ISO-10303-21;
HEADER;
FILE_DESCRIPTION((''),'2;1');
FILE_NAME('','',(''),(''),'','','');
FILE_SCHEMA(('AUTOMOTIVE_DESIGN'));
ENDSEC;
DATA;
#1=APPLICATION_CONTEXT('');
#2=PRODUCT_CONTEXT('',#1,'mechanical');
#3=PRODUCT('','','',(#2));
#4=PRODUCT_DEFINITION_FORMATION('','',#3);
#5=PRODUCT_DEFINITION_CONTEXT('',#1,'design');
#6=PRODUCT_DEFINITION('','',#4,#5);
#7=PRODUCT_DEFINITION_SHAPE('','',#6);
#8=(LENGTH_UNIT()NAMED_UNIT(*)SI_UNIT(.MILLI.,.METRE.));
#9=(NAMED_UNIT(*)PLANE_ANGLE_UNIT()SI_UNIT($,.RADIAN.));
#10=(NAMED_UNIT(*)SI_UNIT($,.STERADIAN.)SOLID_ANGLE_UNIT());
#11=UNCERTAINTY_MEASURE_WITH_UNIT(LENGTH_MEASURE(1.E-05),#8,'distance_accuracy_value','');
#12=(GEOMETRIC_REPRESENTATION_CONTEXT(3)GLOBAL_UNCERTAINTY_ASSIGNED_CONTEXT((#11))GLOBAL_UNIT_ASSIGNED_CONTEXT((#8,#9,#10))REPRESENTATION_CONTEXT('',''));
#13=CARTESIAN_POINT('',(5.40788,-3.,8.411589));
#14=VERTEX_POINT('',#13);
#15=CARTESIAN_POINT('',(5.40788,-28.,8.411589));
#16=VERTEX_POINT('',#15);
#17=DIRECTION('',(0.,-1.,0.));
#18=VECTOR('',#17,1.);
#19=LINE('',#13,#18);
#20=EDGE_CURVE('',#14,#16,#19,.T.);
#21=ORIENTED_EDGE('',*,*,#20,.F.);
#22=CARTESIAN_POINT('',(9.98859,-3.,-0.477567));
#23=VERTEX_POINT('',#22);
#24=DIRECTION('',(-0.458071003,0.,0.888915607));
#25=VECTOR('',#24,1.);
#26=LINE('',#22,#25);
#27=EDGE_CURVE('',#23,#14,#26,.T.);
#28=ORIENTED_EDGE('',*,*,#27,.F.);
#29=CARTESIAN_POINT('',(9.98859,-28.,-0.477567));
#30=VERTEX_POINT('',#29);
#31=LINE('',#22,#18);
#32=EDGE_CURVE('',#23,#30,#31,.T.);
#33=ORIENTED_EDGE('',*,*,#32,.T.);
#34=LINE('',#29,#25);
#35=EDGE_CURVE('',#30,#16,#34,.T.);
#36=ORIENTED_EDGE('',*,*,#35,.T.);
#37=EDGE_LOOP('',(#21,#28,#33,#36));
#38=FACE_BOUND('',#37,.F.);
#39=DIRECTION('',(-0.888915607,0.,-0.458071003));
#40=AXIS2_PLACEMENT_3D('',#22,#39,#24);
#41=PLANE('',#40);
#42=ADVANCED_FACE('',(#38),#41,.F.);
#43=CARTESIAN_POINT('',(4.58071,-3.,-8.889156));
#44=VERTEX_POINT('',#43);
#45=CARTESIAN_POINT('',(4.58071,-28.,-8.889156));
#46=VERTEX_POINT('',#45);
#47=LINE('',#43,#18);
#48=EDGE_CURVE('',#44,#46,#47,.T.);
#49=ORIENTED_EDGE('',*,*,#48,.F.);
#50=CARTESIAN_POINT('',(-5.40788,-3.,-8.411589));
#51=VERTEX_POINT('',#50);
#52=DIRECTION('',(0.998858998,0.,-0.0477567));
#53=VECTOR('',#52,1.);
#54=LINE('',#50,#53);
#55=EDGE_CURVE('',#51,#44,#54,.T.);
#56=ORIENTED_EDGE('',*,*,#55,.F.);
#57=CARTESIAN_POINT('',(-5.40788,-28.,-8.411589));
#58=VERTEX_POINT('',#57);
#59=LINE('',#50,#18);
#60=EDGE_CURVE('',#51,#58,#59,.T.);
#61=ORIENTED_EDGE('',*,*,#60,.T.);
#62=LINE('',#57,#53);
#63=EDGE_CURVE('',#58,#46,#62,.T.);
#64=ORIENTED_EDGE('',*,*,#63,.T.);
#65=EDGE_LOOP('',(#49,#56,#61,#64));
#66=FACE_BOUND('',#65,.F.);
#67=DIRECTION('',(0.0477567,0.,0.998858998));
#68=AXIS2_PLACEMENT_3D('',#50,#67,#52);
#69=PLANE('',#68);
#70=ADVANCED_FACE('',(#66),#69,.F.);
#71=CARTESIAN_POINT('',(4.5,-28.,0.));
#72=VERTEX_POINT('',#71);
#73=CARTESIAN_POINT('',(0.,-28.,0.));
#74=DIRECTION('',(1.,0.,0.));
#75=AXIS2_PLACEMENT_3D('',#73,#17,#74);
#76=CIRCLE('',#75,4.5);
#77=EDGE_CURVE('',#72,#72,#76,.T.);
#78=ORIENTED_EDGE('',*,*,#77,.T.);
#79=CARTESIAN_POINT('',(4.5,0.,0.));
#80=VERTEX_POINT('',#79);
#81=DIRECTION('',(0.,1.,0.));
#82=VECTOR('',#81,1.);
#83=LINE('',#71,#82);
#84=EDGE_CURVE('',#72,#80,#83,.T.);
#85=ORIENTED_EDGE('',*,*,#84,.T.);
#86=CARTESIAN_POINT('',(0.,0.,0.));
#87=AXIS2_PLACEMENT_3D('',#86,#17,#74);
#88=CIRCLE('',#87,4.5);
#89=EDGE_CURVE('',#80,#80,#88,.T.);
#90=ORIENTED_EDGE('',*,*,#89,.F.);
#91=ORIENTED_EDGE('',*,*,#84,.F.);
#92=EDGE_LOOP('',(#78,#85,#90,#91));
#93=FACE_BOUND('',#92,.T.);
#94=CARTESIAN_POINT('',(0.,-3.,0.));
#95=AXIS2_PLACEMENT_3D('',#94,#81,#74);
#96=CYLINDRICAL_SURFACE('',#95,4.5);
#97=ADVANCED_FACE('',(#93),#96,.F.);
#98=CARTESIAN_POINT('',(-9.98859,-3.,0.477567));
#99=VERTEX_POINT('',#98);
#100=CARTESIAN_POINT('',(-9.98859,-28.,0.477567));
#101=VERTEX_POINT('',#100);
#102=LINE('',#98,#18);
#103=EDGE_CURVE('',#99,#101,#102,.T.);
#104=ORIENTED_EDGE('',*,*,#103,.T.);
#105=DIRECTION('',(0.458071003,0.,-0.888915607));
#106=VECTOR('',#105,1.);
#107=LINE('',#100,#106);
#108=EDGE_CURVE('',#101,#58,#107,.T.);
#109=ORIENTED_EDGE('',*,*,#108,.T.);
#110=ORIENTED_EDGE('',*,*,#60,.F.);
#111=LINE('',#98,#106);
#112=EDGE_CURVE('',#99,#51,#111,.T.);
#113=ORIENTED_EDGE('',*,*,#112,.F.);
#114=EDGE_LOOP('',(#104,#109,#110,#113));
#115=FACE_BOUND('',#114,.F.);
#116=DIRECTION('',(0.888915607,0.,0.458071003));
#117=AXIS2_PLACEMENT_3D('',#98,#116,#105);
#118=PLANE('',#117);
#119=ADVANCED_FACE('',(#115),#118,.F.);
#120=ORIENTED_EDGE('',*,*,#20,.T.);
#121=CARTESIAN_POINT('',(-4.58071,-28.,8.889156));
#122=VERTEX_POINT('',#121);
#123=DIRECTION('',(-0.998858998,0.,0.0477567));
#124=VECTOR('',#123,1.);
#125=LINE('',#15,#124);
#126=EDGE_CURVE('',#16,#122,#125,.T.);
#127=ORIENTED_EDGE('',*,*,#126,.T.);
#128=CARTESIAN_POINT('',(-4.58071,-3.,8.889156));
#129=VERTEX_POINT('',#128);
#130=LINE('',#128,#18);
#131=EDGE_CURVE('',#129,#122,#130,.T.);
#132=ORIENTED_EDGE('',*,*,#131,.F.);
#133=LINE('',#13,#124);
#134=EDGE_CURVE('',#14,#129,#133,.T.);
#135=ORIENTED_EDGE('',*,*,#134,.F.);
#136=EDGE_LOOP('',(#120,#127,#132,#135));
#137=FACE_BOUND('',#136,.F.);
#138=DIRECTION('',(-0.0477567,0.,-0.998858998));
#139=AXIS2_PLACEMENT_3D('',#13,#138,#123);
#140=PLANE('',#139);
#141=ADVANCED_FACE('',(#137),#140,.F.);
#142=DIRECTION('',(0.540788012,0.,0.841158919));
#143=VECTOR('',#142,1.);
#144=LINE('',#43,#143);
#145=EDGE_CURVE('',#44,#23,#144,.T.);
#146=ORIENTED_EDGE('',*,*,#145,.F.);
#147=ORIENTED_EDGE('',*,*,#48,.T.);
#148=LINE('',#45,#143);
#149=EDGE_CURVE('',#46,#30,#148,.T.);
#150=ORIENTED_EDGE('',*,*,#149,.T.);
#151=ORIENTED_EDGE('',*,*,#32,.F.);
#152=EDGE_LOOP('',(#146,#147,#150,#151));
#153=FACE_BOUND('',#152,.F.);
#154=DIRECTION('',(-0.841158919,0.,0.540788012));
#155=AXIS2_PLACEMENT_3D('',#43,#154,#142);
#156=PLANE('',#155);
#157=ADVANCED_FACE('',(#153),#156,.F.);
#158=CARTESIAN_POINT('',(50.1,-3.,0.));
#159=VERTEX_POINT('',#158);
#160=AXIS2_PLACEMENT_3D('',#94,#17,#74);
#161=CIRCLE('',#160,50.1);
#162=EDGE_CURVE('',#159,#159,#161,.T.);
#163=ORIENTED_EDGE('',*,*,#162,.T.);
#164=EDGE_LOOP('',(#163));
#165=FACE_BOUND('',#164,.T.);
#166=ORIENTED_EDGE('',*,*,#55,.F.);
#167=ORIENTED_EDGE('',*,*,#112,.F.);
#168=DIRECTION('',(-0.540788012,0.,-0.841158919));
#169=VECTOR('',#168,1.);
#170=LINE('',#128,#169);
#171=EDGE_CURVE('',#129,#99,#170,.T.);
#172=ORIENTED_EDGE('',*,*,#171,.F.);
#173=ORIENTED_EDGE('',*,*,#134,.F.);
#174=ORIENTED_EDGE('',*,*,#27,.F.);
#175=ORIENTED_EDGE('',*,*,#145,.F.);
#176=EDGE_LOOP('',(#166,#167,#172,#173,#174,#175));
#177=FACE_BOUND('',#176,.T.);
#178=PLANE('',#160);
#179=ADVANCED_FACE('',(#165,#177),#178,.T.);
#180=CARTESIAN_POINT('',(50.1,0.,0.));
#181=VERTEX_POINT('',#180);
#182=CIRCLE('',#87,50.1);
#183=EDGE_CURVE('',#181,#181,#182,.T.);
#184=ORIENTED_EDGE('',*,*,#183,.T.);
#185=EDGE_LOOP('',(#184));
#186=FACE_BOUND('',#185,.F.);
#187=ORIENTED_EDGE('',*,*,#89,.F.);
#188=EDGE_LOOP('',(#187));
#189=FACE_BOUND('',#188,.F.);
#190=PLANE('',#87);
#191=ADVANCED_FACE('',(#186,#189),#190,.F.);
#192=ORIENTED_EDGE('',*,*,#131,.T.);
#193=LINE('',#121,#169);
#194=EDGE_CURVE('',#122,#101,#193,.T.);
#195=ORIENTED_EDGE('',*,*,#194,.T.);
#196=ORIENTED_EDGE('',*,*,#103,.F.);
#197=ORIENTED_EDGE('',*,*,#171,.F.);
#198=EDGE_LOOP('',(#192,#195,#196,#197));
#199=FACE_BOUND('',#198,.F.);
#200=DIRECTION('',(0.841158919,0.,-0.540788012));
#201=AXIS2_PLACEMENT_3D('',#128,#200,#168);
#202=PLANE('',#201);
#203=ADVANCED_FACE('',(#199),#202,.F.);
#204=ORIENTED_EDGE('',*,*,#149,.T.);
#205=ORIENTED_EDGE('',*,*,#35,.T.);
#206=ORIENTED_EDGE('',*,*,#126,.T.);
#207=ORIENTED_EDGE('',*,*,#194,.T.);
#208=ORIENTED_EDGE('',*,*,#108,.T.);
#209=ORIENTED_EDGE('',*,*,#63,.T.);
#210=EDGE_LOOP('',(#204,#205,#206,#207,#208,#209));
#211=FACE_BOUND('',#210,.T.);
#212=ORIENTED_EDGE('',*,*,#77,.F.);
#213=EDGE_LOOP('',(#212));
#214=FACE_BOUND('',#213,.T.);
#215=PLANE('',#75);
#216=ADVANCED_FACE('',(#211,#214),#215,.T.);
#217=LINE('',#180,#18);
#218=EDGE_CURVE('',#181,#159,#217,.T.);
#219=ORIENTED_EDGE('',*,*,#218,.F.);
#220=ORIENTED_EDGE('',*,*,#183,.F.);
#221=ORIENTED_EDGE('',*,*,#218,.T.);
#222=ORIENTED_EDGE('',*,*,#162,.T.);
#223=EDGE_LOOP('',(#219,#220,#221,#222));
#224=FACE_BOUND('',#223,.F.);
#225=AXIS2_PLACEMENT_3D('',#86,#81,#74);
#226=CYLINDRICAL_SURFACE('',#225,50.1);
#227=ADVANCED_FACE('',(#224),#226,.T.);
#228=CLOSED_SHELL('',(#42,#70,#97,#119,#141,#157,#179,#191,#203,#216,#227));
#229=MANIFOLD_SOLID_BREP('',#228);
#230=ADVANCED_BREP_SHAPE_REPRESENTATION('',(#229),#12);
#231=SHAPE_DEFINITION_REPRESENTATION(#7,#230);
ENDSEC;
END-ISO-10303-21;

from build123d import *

# Parameters (mm, degrees)
F0_R     = 50.1
F0_R_2   = 4.5
F1_DEPTH = 3
F2_R     = 4.5
F3_DEPTH = 25


with BuildPart() as f1:
    # F0 (on Front) → F1 (new body)
    with BuildSketch(Plane.XZ):
        Circle(F0_R)
        Circle(F0_R_2, mode=Mode.SUBTRACT)
    extrude(amount=F1_DEPTH)

    # F2 (on face) → F3 (join)
    with BuildSketch(Plane.XZ.offset(3)):
        Polygon((-4.58071, 8.889156), (-9.98859, 0.477567), (-5.40788, -8.411589), (4.58071, -8.889156), (9.98859, -0.477567), (5.40788, 8.411589), align=None)
        Circle(F2_R, mode=Mode.SUBTRACT)
    extrude(amount=F3_DEPTH)


solid = f1.part
